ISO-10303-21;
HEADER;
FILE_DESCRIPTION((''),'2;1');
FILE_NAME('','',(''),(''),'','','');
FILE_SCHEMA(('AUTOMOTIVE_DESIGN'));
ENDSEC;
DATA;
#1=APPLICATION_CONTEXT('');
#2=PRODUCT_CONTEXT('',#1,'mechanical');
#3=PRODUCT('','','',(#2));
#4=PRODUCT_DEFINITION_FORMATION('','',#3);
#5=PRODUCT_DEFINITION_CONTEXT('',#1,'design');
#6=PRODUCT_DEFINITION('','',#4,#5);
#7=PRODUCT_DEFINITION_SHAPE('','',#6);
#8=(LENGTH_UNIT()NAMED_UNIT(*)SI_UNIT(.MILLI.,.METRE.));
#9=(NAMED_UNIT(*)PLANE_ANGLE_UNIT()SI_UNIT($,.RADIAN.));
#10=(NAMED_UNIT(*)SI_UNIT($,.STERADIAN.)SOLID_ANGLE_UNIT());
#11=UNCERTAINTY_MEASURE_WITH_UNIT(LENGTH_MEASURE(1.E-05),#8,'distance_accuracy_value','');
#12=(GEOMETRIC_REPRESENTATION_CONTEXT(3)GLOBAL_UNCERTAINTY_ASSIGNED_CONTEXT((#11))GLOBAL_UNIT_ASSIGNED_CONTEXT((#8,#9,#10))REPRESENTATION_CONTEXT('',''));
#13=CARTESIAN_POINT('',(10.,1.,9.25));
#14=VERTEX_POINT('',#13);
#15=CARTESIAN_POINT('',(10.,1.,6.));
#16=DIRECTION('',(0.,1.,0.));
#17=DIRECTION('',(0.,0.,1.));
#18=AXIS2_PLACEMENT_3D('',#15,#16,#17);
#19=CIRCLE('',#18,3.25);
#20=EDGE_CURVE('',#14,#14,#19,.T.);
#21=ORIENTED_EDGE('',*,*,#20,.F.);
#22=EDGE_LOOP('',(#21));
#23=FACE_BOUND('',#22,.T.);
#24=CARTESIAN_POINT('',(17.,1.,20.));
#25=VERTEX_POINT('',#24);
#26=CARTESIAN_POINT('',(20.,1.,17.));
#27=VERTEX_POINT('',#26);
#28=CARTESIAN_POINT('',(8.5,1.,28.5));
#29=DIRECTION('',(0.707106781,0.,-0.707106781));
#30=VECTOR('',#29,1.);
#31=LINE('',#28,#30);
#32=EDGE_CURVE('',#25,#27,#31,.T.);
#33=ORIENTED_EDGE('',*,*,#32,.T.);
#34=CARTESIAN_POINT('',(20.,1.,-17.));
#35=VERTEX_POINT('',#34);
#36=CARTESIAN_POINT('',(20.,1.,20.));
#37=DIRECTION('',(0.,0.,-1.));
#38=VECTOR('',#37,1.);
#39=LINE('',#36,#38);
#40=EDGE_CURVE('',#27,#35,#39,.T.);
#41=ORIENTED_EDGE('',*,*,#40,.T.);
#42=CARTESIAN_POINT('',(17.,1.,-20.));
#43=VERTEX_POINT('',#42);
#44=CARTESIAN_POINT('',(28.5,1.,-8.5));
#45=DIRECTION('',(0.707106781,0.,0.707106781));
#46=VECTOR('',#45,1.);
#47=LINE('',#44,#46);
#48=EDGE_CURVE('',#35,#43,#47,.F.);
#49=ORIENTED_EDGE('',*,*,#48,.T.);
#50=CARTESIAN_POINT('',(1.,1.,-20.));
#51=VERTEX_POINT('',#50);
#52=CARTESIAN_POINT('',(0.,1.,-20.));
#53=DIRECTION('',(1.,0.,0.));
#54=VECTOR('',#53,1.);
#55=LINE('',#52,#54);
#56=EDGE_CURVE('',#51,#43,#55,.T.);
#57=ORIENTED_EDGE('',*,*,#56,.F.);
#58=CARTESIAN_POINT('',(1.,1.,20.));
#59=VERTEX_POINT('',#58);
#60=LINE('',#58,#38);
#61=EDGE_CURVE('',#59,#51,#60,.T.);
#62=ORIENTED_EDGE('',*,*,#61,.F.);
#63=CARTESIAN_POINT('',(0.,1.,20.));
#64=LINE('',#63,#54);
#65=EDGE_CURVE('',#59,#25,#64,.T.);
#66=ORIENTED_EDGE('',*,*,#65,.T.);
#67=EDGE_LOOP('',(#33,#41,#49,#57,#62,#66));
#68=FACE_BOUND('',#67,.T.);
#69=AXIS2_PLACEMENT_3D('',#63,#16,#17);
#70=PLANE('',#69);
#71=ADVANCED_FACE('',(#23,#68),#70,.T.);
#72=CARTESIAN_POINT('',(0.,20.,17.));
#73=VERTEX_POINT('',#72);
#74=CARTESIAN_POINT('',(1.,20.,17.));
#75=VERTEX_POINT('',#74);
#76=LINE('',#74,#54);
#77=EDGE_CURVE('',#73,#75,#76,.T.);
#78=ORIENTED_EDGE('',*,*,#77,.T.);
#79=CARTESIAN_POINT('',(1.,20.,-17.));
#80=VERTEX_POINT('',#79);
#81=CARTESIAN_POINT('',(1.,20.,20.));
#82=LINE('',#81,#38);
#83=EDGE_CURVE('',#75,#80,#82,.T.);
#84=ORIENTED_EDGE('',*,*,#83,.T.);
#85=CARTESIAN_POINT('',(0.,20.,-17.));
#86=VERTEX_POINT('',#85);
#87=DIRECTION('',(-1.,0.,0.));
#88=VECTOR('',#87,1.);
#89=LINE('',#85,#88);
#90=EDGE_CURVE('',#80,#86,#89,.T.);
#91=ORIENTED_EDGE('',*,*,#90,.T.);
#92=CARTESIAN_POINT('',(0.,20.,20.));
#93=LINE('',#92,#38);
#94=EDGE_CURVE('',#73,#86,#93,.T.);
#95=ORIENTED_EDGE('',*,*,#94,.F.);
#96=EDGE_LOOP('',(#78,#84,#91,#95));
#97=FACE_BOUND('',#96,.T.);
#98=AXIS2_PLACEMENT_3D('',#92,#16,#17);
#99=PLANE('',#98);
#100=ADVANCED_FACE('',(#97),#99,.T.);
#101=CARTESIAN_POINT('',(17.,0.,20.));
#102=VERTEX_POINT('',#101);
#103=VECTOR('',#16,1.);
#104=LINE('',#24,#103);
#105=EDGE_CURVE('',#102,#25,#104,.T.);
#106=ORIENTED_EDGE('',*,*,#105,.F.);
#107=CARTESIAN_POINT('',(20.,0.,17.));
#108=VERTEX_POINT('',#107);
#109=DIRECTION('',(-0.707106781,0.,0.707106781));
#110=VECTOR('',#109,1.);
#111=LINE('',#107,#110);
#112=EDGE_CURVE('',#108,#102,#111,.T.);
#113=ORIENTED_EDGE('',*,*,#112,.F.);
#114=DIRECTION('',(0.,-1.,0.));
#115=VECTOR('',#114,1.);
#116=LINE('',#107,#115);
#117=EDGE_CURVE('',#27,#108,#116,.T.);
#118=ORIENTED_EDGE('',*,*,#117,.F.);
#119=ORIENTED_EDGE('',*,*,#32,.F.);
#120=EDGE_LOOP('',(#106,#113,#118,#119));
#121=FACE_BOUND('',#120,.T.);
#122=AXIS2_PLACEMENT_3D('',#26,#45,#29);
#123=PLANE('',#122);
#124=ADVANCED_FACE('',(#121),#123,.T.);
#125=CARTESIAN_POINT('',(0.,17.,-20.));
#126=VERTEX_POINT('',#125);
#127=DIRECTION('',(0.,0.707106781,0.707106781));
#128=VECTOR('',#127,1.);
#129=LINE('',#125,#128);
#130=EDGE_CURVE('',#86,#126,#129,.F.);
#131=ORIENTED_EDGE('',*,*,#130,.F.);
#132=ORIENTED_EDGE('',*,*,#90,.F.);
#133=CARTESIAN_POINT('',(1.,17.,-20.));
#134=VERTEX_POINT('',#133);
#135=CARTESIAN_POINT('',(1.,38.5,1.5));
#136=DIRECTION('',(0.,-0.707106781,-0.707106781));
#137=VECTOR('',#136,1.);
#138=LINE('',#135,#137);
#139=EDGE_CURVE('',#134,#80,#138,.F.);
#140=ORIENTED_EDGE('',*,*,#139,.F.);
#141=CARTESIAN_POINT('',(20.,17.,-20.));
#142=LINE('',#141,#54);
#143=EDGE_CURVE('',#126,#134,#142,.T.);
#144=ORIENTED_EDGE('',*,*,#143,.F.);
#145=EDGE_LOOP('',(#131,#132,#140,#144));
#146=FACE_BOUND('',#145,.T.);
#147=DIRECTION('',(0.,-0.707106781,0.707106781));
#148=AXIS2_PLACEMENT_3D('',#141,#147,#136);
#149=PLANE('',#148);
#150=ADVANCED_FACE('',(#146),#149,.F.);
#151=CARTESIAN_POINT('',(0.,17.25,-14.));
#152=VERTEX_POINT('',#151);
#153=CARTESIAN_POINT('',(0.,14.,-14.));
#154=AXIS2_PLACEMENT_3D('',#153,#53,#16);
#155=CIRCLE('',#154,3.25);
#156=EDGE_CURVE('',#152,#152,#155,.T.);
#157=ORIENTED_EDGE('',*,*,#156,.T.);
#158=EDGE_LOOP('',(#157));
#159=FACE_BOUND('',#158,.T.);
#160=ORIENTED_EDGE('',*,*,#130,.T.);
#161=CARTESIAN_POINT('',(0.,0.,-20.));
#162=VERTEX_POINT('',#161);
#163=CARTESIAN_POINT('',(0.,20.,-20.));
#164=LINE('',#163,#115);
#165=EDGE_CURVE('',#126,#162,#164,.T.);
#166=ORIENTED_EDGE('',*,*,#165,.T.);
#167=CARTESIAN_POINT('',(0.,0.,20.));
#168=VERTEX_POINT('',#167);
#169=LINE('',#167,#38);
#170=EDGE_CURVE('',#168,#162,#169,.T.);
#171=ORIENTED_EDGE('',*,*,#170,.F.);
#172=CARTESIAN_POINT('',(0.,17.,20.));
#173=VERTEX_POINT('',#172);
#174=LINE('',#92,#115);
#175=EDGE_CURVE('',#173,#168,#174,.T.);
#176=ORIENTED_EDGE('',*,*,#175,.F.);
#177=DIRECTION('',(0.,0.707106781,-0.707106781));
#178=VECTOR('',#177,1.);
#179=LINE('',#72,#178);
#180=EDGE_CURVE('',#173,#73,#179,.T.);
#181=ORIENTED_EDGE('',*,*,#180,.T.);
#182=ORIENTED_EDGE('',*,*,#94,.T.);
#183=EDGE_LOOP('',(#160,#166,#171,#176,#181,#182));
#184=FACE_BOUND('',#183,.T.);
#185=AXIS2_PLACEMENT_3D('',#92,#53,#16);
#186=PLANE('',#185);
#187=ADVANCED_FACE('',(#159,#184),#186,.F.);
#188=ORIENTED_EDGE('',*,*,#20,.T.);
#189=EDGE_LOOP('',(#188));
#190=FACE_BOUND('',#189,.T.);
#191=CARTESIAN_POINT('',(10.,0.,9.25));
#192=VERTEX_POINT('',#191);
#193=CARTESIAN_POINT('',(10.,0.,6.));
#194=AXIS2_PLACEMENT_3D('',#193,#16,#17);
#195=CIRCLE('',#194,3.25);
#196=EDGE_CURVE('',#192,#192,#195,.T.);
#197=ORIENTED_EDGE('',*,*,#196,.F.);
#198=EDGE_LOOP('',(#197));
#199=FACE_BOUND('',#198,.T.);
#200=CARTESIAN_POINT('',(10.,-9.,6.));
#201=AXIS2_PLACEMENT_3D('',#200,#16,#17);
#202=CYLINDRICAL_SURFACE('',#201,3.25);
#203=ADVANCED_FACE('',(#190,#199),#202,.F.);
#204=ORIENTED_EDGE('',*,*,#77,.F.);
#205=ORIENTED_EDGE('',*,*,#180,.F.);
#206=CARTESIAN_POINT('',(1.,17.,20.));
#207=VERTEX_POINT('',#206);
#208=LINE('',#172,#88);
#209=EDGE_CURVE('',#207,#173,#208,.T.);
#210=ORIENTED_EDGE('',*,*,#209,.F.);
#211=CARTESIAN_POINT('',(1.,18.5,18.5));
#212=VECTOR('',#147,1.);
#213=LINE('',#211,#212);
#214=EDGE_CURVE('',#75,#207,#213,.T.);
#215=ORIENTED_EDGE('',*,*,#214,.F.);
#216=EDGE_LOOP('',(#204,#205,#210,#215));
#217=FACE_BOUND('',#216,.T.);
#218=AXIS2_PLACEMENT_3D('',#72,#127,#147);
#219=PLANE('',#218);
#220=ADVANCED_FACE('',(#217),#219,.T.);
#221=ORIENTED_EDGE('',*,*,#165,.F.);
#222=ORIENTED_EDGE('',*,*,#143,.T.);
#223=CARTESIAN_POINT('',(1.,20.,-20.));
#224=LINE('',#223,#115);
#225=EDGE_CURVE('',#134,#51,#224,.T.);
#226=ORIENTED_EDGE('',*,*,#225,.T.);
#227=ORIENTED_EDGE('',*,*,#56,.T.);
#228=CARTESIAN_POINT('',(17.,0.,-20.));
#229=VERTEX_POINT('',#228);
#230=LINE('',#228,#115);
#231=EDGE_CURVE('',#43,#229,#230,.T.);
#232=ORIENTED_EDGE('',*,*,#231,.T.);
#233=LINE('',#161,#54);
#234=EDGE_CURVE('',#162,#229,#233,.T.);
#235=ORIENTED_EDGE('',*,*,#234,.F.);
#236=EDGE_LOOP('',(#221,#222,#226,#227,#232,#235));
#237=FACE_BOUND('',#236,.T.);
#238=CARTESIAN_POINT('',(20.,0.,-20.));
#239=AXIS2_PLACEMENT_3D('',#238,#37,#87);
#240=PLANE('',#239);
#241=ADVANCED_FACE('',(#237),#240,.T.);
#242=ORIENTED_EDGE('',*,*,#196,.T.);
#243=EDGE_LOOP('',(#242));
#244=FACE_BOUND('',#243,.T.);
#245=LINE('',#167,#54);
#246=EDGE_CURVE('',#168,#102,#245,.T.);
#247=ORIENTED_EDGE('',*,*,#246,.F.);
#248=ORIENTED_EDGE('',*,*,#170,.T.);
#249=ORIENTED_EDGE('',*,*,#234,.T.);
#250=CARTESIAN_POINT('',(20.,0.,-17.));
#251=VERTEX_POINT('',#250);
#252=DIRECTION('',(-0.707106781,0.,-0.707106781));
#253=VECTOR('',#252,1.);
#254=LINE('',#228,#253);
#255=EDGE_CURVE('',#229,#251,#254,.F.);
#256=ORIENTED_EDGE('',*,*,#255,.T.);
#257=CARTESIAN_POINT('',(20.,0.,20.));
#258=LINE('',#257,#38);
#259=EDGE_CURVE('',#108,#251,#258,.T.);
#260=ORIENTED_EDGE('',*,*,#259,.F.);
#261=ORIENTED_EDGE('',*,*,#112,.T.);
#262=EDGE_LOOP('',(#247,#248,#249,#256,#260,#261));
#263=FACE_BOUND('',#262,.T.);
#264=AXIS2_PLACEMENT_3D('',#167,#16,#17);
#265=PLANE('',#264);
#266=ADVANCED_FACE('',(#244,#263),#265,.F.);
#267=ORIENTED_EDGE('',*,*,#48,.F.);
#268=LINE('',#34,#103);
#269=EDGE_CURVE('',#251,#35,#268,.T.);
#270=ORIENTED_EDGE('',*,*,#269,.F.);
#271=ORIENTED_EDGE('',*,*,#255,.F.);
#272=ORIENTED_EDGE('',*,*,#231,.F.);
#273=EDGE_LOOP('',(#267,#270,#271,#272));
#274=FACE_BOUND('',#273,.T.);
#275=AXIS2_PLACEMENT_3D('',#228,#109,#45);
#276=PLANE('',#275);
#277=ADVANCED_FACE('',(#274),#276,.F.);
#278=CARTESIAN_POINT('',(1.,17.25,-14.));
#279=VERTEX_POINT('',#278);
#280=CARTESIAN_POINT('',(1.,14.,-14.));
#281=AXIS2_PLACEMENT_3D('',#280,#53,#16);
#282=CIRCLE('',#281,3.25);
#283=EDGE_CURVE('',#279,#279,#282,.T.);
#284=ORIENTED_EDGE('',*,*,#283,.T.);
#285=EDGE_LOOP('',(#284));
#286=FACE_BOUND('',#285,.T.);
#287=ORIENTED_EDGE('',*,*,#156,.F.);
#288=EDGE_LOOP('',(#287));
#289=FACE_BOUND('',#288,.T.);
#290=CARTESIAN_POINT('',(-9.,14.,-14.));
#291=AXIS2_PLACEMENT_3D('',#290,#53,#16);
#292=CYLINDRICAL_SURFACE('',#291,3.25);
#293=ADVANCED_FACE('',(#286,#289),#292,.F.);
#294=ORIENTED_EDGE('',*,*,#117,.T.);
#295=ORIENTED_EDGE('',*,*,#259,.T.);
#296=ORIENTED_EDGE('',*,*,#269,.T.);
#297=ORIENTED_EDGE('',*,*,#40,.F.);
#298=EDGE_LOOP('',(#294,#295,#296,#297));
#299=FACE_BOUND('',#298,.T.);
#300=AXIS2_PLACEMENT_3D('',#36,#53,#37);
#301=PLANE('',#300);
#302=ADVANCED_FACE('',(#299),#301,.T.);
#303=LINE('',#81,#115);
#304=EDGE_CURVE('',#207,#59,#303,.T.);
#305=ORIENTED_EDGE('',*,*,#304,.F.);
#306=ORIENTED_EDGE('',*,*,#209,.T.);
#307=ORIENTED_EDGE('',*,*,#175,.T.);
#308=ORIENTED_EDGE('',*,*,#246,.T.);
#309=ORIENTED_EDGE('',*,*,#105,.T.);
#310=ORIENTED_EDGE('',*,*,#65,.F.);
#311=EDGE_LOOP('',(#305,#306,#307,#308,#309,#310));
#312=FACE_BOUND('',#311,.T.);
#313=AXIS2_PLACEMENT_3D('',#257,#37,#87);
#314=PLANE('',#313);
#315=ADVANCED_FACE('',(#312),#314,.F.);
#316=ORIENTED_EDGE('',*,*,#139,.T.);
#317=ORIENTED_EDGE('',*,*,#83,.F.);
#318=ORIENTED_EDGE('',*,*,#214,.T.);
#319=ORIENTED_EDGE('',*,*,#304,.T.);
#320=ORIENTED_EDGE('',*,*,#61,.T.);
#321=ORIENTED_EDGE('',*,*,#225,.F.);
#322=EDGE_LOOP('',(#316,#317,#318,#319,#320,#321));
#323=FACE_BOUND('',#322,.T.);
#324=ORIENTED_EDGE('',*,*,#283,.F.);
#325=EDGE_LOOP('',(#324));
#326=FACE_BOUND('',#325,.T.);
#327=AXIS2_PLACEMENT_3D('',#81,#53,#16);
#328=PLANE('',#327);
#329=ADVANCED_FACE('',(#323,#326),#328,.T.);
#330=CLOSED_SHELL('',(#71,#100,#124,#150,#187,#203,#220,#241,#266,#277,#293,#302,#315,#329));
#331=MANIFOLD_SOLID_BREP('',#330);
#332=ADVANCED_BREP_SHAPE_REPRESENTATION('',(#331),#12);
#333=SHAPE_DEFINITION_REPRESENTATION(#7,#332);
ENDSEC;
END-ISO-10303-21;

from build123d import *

# Parameters (mm, degrees)
LINEAR_AUSTRAGEN_D_NN1_DEPTH    = 20
FASE1_SIZE                      = 3
SKIZZE2_R                       = 3.25
SCHNITT_LINEAR_AUSTRAGEN1_DEPTH = 10
SKIZZE3_R                       = 3.25
SCHNITT_LINEAR_AUSTRAGEN2_DEPTH = 10


with BuildPart() as part:
    # Skizze1 → Linear-Austragen-Dünn1 (new, symmetric)
    with BuildSketch(Plane.XY):
        Polygon((0, 20), (0, 0), (20, 0), (20, 1), (1, 1), (1, 20), align=None)
    extrude(amount=LINEAR_AUSTRAGEN_D_NN1_DEPTH, both=True)

    # Fase1
    fase1_edges = [part.edges().sort_by_distance(p)[0] for p in [
        (0.5, 20, 20),
        (0.5, 20, -20),
        (20, 0.5, -20),
        (20, 0.5, 20),
    ]]
    chamfer(fase1_edges, length=FASE1_SIZE)

    # Skizze2 → Schnitt-Linear austragen1 (cut)
    with BuildSketch(Plane(origin=(0, 1, 0), x_dir=(1, 0, 0), z_dir=(0, 1, 0))):
        with Locations(Location((10, -6, 0), (0, 0, 270))):
            Circle(SKIZZE2_R)
    extrude(amount=-SCHNITT_LINEAR_AUSTRAGEN1_DEPTH, mode=Mode.SUBTRACT)

    # Skizze3 → Schnitt-Linear austragen2 (cut)
    with BuildSketch(Plane(origin=(1, 0, 0), x_dir=(0, 0, -1), z_dir=(1, 0, 0))):
        with Locations(Location((14, 14, 0), (0, 0, 90))):
            Circle(SKIZZE3_R)
    extrude(amount=-SCHNITT_LINEAR_AUSTRAGEN2_DEPTH, mode=Mode.SUBTRACT)


solid = part.part
